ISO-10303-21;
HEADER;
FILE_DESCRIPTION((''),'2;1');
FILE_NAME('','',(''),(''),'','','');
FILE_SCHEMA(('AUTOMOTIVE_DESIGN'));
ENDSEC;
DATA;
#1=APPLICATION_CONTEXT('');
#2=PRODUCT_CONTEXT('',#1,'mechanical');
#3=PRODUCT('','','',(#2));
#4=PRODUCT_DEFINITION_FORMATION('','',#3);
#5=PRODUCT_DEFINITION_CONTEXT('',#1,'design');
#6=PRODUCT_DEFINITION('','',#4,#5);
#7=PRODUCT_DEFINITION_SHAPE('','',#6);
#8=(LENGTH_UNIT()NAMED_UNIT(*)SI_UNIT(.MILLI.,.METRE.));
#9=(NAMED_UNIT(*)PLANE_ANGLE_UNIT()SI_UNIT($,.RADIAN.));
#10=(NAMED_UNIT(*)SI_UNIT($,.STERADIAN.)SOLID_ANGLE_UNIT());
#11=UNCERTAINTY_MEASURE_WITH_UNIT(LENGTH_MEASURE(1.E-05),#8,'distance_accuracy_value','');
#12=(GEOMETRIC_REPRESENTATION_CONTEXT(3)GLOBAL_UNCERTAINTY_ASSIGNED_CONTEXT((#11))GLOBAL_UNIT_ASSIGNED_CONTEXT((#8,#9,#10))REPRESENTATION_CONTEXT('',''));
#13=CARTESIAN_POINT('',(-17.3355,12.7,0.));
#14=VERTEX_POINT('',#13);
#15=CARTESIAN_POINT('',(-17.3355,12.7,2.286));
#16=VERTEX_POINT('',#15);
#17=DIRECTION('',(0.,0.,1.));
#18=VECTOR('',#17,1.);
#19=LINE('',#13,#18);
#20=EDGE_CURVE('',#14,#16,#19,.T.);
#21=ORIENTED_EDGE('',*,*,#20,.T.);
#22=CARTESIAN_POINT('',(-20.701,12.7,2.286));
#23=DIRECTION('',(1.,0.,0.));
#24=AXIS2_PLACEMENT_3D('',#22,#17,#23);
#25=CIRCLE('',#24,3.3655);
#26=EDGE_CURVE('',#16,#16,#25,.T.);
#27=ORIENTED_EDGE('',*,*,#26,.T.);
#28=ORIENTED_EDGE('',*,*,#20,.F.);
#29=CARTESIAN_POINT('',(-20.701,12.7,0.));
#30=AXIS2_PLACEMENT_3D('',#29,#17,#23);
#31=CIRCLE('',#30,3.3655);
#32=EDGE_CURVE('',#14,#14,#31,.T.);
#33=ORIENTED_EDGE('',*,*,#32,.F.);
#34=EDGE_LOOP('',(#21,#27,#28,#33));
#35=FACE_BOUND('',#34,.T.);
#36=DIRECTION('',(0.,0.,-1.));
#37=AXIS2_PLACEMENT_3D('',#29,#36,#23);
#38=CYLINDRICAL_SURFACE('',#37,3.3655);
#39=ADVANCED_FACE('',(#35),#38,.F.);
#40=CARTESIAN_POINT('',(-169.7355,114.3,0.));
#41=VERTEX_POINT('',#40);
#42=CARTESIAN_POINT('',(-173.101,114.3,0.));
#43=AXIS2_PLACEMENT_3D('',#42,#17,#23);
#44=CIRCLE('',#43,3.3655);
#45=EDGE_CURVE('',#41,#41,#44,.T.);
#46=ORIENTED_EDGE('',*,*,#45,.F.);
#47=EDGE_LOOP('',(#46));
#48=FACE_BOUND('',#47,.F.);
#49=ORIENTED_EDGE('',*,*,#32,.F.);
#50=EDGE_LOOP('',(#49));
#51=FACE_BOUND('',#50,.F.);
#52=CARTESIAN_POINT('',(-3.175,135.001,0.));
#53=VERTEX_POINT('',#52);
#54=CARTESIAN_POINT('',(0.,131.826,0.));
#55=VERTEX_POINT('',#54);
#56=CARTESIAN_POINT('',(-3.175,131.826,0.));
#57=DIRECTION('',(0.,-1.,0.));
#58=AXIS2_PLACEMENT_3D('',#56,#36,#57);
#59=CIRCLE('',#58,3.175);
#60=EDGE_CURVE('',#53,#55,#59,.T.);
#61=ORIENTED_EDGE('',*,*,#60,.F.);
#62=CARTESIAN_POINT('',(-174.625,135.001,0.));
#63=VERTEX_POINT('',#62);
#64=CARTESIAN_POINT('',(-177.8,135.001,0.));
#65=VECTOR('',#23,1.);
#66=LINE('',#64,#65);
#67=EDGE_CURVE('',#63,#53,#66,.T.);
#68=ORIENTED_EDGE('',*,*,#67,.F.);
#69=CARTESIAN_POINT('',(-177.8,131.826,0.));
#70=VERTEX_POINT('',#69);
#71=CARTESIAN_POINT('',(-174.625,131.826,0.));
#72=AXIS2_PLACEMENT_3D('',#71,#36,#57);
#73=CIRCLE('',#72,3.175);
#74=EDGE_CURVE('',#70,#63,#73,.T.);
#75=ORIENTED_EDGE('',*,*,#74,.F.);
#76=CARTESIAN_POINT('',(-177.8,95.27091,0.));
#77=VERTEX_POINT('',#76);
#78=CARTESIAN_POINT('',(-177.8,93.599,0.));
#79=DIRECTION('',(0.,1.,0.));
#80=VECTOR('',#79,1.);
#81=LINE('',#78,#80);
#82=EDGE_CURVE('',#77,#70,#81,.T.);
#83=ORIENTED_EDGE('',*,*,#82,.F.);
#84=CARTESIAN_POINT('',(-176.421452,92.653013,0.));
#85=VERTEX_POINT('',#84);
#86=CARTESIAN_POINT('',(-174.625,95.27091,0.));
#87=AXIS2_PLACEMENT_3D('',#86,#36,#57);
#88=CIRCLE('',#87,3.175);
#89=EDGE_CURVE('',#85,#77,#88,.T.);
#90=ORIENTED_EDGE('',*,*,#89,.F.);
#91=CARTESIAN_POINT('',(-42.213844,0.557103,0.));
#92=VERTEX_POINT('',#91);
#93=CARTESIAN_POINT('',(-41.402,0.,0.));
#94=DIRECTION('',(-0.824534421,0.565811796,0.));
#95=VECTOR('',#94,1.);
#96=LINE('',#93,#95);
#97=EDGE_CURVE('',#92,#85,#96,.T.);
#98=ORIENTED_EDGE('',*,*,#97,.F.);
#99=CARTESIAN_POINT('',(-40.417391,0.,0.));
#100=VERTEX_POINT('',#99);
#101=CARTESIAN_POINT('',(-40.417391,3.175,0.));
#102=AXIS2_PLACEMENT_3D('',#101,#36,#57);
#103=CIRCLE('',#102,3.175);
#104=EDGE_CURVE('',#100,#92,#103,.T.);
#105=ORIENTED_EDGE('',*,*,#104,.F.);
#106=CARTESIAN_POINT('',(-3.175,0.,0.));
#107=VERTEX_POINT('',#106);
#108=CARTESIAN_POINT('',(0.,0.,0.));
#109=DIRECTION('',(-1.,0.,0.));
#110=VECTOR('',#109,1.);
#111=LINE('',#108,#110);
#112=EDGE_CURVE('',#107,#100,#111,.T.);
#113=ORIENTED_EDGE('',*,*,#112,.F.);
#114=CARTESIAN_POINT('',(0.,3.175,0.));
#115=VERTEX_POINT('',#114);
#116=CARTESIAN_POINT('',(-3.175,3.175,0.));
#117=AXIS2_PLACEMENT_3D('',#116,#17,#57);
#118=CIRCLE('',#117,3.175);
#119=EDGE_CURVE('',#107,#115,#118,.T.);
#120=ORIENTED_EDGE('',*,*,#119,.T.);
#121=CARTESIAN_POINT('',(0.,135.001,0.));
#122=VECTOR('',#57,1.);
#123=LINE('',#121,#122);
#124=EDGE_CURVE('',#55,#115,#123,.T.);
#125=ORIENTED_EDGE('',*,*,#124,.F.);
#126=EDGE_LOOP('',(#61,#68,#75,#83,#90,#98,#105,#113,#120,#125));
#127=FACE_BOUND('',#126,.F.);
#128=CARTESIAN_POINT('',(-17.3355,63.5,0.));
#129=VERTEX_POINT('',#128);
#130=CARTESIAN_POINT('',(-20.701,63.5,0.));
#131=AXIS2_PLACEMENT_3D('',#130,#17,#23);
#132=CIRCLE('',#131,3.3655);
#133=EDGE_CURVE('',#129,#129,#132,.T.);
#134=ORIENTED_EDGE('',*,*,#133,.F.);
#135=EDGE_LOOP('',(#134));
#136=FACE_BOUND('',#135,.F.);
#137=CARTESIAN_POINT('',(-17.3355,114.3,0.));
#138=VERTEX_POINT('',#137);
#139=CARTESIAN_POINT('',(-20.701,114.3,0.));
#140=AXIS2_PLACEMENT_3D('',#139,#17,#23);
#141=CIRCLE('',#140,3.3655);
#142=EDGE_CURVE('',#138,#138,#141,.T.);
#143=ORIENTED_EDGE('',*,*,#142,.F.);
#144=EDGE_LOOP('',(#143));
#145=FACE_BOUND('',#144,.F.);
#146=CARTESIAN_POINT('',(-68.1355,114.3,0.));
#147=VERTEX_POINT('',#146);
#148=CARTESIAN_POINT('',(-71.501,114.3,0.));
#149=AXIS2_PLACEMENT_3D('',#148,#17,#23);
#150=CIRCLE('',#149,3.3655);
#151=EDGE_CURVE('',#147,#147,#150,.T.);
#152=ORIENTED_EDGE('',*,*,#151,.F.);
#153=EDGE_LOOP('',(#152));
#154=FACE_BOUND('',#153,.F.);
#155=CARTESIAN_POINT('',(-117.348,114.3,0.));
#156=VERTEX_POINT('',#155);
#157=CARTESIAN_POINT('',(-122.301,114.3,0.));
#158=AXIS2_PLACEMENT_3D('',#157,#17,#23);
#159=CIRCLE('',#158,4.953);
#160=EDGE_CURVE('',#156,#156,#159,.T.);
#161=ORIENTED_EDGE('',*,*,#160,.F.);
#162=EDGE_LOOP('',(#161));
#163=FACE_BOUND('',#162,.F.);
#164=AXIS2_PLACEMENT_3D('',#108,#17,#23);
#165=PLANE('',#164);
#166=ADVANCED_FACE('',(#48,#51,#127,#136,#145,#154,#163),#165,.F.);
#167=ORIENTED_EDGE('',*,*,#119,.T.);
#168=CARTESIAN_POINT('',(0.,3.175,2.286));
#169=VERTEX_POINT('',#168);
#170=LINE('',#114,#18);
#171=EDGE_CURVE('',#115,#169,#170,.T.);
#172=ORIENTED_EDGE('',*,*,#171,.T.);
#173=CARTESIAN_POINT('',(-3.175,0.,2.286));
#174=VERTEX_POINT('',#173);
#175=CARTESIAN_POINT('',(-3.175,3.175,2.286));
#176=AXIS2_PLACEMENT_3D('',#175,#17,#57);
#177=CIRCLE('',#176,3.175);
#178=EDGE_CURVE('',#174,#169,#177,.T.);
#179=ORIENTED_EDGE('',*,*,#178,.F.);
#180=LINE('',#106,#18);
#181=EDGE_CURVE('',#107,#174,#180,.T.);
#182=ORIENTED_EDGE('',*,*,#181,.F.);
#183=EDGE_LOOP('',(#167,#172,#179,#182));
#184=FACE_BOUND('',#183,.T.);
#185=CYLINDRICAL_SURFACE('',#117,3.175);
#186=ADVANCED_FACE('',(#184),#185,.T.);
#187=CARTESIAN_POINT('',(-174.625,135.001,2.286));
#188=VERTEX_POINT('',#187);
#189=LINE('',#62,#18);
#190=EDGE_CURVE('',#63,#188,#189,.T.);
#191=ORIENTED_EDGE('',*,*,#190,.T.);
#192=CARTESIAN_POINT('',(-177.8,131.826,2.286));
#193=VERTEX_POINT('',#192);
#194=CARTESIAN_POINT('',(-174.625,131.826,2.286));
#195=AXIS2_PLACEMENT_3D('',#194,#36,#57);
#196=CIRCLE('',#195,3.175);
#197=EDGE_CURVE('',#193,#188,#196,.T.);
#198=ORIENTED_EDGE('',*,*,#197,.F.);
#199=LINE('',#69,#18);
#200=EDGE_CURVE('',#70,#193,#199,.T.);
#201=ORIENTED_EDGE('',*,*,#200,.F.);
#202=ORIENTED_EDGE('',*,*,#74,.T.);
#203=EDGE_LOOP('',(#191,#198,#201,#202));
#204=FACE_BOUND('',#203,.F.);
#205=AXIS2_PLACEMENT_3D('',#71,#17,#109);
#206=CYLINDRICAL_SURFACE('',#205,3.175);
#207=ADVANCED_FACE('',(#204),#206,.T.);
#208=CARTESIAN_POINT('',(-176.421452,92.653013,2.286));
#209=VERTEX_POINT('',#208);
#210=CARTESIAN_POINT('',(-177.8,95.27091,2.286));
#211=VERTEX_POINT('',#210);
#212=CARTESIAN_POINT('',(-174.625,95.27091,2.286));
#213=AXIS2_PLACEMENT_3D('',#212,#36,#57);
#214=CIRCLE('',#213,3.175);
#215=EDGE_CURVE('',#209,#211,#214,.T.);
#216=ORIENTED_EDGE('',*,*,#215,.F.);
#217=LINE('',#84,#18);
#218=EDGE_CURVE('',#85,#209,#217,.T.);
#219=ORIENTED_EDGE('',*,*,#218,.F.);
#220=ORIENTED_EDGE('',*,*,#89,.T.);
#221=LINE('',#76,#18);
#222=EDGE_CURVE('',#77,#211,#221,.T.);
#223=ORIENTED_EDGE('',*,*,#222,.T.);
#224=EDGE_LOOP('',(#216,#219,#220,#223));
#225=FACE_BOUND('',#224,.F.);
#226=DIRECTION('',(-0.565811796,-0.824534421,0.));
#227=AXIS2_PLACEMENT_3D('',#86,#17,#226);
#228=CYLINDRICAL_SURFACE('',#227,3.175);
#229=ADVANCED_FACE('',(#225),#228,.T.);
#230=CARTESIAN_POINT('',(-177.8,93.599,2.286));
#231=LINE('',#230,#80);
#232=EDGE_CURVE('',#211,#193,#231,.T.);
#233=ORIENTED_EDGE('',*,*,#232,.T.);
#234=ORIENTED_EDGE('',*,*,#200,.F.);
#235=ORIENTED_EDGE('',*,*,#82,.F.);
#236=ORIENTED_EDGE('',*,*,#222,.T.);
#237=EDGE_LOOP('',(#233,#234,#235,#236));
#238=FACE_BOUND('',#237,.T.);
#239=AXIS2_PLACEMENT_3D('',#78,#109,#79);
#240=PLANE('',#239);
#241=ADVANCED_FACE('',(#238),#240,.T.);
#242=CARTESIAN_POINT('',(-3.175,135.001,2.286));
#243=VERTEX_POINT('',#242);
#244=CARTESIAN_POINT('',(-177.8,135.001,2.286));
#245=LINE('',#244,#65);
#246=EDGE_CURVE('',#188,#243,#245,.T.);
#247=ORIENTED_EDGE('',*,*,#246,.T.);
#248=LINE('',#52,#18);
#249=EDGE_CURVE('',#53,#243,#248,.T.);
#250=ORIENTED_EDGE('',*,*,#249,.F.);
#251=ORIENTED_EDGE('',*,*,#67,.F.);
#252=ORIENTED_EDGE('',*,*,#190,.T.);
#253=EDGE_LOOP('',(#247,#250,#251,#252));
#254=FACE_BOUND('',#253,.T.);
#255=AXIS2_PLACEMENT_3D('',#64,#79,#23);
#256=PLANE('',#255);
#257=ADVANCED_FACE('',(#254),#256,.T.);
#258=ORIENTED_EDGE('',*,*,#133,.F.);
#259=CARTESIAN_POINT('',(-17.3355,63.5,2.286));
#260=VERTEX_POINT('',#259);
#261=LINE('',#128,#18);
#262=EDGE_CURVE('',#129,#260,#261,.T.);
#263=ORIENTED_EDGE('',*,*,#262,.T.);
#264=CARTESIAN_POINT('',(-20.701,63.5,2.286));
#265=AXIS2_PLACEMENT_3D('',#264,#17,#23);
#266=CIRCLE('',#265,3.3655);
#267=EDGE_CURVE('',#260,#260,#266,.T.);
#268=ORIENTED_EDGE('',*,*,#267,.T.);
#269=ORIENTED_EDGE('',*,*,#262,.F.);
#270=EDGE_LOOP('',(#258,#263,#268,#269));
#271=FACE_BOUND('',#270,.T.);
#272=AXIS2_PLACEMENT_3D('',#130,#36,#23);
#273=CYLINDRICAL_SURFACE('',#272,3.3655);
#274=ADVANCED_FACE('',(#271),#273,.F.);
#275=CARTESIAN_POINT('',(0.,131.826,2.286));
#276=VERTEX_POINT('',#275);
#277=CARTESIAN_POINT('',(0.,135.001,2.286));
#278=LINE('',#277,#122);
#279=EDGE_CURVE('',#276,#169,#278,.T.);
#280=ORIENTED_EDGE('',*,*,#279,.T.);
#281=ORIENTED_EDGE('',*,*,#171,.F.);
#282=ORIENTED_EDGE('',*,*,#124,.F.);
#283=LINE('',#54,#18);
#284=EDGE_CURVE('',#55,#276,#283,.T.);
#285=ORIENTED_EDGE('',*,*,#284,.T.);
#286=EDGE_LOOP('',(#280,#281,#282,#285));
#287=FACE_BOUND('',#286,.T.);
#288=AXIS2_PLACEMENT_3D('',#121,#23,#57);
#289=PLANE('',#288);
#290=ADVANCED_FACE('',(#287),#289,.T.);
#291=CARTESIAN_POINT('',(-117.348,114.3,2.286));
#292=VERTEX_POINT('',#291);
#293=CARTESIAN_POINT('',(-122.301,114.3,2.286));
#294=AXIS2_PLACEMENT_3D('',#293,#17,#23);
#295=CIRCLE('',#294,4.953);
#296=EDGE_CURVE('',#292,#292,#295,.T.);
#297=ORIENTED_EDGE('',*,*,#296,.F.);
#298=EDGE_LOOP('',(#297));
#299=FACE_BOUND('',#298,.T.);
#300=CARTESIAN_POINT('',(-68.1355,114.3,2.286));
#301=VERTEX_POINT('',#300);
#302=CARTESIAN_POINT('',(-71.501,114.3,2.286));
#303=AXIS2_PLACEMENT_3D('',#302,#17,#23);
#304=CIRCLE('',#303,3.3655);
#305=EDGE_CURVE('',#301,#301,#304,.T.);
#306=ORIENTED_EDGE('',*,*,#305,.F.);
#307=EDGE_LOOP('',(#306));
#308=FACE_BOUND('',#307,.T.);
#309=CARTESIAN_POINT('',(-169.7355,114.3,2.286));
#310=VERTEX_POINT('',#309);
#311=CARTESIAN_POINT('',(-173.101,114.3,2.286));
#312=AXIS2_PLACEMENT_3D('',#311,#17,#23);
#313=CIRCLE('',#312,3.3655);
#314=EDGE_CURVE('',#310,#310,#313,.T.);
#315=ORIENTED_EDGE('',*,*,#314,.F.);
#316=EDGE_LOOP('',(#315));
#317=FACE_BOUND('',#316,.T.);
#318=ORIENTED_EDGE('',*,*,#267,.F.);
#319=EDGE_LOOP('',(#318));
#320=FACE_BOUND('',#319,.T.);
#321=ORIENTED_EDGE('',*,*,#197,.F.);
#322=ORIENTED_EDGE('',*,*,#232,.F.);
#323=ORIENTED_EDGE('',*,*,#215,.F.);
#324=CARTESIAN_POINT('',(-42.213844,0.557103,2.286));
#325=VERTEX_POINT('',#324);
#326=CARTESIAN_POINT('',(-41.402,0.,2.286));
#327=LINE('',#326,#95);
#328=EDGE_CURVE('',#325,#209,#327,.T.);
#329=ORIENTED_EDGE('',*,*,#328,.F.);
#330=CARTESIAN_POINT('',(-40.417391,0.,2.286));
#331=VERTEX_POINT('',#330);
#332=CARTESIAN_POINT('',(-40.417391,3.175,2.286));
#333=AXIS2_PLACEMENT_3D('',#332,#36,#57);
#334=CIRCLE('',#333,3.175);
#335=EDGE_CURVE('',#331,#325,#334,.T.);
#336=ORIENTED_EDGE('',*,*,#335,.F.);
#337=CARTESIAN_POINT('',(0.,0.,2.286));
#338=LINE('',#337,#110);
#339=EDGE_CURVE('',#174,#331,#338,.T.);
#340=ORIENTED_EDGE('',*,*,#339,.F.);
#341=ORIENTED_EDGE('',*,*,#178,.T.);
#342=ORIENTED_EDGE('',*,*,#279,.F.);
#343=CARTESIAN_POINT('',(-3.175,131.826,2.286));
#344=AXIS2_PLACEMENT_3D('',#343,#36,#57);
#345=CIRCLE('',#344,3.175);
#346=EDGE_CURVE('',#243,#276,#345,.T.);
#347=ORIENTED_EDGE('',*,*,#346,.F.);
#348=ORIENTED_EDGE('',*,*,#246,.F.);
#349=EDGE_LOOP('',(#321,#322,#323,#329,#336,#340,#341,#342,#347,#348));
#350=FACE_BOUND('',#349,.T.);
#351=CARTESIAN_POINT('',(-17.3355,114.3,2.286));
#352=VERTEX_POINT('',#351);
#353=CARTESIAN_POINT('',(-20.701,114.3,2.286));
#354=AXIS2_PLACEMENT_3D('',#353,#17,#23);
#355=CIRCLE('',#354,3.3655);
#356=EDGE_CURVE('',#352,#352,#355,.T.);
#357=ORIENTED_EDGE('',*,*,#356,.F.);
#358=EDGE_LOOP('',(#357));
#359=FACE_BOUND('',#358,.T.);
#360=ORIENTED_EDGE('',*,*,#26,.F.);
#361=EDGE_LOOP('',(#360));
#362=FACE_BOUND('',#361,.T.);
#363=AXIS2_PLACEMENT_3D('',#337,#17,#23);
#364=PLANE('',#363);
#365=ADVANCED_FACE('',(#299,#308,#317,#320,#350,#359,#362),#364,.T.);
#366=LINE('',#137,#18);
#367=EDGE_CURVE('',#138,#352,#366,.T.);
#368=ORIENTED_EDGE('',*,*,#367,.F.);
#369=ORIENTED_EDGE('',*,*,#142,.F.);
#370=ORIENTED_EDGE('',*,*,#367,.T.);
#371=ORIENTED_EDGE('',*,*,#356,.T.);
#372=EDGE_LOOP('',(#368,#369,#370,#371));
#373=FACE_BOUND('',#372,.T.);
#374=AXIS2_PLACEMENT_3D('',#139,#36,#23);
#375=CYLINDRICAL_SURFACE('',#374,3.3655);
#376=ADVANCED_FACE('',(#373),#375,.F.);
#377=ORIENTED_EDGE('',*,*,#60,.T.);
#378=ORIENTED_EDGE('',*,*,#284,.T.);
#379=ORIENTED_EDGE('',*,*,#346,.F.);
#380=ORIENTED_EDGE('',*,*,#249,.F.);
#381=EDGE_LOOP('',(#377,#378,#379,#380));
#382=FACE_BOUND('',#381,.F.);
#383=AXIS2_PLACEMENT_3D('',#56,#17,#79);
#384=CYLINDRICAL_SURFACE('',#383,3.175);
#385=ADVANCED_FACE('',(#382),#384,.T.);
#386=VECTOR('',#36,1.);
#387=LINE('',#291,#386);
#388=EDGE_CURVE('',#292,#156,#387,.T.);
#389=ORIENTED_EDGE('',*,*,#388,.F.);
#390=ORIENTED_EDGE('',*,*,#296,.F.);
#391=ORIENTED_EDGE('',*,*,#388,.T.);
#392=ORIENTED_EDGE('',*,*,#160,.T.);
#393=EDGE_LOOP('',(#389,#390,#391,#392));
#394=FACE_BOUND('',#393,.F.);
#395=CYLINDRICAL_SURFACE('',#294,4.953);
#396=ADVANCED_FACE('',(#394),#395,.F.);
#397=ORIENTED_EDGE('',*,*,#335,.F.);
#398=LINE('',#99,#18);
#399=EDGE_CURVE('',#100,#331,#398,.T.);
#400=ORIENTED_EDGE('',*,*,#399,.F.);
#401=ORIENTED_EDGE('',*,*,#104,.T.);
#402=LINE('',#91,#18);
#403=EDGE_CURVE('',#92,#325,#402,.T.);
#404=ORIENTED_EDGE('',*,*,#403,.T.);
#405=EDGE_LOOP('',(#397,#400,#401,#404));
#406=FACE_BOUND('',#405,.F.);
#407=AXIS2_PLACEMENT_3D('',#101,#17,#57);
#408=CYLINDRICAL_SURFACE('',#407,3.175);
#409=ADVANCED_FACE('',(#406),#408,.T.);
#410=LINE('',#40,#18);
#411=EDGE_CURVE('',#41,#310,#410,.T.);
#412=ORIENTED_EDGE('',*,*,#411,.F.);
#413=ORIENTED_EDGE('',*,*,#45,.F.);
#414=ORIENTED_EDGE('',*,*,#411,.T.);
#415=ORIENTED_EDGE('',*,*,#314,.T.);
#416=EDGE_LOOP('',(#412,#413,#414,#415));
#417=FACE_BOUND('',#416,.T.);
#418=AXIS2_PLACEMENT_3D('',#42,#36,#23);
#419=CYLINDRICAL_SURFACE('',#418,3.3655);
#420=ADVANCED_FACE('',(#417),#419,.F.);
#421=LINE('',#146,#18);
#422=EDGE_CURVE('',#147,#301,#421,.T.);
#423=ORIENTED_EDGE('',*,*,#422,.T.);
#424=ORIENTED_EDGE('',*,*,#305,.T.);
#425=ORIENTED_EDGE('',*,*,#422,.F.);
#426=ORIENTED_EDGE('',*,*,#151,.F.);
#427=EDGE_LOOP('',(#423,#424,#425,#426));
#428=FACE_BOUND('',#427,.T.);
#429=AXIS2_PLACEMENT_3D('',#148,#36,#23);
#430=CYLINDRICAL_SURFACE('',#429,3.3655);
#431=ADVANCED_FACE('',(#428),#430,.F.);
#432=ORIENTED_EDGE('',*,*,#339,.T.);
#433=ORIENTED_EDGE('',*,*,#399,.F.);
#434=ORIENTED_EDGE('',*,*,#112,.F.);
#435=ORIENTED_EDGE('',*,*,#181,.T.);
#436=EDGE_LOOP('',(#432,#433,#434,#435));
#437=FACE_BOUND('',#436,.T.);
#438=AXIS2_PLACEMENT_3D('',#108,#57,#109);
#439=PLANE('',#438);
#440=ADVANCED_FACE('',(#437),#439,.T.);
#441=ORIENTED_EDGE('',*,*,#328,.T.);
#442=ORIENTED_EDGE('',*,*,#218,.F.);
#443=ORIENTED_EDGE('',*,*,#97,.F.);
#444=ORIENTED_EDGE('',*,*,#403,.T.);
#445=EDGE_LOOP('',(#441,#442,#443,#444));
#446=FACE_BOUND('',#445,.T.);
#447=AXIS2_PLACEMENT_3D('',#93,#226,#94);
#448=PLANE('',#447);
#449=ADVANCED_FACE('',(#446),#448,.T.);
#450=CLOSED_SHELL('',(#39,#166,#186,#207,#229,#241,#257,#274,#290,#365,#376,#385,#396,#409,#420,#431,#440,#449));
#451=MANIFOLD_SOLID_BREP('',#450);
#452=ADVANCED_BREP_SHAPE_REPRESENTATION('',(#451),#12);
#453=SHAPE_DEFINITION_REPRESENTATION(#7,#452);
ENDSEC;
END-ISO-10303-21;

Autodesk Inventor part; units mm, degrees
ref_plane "YZ Plane" through (0, 0, 0) normal (1, 0, 0) x (0, 1, 0)
ref_plane "XZ Plane" through (0, 0, 0) normal (0, 1, 0) x (-1, 0, 0)
ref_plane "XY Plane" through (0, 0, 0) normal (0, 0, 1) x (1, 0, 0)
sketch "Sketch1" plane through (0, 0, 0) normal (0, 0, 1) x (1, 0, 0)
  line L0 (0, 0) -> (-41.402, 0)
  line L1 (-41.402, 0) -> (-177.8, 93.599)
  line L2 (-177.8, 93.599) -> (-177.8, 135.001)
  line L3 (-177.8, 135.001) -> (0, 135.001)
  line L4 (0, 135.001) -> (0, 0)
  circle A0 centre (-20.701, 12.7) radius 3.3655
  circle A1 centre (-20.701, 63.5) radius 3.3655
  circle A2 centre (-20.701, 114.3) radius 3.3655
  circle A3 centre (-71.501, 114.3) radius 3.3655
  circle A4 centre (-122.301, 114.3) radius 3.3655
  circle A5 centre (-173.101, 114.3) radius 3.3655
  dimension "d0" = 41.402
  dimension "d1" = 41.402
  dimension "d2" = 177.8
  dimension "d3" = 135.001
  dimension "d4" = 6.731
  dimension "d6" = 20.701
  dimension "d9" = 50.8
  dimension "d14" = 20.701
  dimension "d15" = 20.701
  dimension "d16" = 50.8
  dimension "d17" = 12.7
  dimension "d20" = 50.8
  dimension "d25" = 4.699
extrude "Extrusion1" add sketch "Sketch1" along normal blind 2.286
fillet "Fillet1" radius 3.175 5 edges at (0, 135.001, 1.143) (0, 0, 1.143) (-41.402, 0, 1.143) (-177.8, 93.599, 1.143) (-177.8, 135.001, 1.143)
sketch "Sketch2" plane through (0, 0, 2.286) normal (0, 0, 1) x (1, 0, 0)
  circle A0 centre (-122.301, 114.3) radius 3.3655 construction
  circle A1 centre (-122.301, 114.3) radius 4.953
  point P0 (0, 0)
  dimension "d29" = 1.5875
extrude "Extrusion2" cut sketch "Sketch2" against normal through all
properties part number "Corner-Tower-Brace Upper" material "Aluminum 6061"
